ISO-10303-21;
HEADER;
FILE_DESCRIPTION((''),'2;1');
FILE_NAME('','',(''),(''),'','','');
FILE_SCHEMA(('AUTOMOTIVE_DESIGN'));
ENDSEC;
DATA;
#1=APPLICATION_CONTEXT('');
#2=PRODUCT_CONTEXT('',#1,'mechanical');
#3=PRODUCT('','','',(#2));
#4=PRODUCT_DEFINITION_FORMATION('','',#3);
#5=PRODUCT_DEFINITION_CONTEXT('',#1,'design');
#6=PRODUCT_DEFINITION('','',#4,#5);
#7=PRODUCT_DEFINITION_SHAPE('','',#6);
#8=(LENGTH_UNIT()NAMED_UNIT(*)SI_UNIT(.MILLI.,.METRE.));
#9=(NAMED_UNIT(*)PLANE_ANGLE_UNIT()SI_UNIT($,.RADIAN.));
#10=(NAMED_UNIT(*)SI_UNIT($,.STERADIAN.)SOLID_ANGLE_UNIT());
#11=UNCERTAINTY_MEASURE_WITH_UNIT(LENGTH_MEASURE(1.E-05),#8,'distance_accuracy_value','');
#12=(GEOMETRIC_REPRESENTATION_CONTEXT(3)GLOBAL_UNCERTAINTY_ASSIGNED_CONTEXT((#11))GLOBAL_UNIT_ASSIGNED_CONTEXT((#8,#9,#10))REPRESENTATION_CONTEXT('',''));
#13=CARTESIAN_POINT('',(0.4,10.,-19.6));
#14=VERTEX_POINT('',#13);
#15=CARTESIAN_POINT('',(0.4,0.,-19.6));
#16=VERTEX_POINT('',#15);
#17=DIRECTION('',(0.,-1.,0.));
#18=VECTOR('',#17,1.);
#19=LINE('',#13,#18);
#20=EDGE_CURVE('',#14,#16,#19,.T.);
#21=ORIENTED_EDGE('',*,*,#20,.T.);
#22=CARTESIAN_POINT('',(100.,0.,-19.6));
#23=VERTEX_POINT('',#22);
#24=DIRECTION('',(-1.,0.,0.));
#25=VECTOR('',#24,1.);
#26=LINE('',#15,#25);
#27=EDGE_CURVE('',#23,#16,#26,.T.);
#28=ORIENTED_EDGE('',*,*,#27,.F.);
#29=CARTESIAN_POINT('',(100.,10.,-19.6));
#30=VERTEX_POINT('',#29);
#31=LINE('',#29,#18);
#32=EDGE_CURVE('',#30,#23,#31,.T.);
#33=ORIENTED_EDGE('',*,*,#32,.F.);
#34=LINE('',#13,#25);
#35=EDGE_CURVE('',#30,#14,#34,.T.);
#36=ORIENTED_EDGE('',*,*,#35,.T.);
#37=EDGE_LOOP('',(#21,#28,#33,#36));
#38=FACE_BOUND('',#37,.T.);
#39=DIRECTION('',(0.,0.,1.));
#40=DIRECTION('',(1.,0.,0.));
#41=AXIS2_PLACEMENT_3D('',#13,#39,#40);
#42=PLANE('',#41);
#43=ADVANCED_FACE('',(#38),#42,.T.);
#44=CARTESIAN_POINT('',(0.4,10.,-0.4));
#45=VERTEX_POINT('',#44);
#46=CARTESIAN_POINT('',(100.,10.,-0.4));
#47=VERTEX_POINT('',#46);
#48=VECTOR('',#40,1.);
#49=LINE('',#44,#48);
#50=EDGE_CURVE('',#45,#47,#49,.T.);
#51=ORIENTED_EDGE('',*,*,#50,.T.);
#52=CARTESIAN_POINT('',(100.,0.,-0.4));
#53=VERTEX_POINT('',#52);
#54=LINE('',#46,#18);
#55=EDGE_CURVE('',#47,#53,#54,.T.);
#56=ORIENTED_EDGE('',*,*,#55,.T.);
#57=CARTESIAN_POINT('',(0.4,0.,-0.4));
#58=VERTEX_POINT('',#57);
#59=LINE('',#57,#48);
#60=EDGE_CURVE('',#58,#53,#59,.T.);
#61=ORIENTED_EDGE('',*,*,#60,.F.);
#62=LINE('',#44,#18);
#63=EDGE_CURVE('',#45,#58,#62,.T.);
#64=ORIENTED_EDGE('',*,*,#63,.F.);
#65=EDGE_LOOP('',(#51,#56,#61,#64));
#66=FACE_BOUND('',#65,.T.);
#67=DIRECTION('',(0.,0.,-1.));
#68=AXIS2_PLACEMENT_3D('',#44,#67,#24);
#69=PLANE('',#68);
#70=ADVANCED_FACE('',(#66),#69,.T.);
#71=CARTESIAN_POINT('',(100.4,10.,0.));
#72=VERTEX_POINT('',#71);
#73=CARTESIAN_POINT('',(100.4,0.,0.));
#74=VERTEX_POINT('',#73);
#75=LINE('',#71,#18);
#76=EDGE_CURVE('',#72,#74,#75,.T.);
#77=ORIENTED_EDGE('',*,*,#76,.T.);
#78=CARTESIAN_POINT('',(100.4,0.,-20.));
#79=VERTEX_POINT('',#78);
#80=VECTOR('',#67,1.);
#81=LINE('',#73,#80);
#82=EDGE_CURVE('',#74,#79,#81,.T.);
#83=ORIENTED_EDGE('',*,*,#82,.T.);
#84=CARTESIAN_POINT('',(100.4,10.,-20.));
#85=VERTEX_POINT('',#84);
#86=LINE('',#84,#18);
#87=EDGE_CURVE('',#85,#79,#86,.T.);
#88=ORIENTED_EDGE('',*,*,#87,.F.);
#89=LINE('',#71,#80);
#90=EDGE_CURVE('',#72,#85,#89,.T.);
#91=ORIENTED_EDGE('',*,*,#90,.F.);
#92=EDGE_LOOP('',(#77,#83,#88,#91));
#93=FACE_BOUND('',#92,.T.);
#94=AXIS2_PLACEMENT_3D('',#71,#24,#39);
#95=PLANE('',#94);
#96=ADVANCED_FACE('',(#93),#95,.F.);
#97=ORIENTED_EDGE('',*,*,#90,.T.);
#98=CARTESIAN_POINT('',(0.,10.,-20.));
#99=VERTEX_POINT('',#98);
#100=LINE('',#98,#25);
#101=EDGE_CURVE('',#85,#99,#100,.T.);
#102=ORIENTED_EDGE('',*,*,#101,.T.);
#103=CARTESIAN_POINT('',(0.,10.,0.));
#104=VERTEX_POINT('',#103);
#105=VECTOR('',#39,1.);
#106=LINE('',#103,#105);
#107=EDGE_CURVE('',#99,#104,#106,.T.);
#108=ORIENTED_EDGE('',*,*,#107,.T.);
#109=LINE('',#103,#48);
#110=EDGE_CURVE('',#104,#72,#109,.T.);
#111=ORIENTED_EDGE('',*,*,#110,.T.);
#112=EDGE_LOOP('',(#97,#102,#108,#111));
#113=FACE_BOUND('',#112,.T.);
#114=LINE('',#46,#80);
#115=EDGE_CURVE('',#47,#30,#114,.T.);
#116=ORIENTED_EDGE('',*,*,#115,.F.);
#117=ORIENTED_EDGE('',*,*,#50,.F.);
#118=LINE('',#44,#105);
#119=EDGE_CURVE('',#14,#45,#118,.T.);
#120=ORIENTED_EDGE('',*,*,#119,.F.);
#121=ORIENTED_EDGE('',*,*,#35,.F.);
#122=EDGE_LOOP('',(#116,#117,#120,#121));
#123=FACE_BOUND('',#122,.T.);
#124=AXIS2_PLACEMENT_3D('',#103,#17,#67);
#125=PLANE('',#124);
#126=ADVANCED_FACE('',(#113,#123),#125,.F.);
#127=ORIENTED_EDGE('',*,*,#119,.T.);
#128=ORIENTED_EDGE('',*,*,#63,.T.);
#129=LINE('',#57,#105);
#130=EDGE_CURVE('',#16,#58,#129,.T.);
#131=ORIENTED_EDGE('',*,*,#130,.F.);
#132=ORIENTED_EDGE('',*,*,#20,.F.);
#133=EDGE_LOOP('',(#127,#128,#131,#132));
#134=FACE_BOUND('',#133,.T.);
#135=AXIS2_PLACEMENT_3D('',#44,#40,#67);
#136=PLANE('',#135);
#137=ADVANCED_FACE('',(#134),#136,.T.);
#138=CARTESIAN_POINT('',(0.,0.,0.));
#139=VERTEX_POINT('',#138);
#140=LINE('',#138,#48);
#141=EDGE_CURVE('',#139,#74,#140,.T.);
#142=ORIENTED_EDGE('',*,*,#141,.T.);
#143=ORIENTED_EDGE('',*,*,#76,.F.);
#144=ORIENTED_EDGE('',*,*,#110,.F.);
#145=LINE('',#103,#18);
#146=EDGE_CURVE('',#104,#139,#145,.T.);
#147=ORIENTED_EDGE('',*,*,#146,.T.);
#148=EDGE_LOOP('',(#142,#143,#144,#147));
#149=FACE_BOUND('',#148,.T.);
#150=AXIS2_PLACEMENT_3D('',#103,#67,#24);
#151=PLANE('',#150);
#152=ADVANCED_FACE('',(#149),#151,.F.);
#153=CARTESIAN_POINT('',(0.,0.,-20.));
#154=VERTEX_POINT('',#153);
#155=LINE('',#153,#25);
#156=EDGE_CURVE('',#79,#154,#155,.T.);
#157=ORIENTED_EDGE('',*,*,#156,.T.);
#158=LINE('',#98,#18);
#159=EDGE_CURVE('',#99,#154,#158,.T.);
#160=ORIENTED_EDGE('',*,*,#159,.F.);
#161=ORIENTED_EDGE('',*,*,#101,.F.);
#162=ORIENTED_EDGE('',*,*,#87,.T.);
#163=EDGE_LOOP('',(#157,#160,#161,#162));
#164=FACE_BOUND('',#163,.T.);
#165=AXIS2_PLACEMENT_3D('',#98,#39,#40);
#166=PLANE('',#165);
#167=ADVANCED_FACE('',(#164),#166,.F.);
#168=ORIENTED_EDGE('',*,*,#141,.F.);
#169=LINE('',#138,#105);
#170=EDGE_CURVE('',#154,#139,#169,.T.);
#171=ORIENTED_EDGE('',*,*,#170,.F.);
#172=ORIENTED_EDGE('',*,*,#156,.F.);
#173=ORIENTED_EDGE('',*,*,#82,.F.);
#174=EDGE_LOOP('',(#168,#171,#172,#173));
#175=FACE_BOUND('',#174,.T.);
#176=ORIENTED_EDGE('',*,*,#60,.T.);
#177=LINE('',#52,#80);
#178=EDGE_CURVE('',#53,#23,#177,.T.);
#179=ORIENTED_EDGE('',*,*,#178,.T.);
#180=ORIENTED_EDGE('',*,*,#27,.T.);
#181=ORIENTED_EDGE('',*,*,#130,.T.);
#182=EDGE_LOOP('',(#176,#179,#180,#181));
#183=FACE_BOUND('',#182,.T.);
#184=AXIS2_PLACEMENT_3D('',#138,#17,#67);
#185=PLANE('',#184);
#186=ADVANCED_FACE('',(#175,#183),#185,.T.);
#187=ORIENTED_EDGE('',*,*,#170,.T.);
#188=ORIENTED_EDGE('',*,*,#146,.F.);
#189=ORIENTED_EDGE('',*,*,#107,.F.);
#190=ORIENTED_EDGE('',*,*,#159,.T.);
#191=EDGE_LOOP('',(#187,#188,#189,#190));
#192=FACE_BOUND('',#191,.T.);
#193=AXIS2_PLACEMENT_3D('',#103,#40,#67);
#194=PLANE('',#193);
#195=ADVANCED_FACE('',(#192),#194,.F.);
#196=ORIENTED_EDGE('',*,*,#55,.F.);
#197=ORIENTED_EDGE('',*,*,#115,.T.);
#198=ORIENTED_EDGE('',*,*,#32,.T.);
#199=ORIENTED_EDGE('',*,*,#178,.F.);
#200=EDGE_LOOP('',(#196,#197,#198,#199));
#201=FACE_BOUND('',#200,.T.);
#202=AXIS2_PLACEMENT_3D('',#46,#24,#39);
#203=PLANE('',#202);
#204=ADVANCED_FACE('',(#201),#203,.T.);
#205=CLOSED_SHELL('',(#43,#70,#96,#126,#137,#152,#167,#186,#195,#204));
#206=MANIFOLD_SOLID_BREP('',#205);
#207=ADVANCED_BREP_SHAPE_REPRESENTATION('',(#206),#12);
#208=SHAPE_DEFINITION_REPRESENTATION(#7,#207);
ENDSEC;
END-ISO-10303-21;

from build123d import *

# Parameters (mm, degrees)
SKETCH1_W           = 100.4
SKETCH1_H           = 20
SKETCH1_W_2         = 99.6
SKETCH1_H_2         = 19.2
BOSS_EXTRUDE1_DEPTH = 10


with BuildPart() as part:
    # Sketch1 → Boss-Extrude1 (new body)
    with BuildSketch(Plane(origin=(0, 0, 0), x_dir=(1, 0, 0), z_dir=(0, 1, 0))):
        with Locations((50.2, 10)):
            Rectangle(SKETCH1_W, SKETCH1_H)
        with Locations((50.2, 10)):
            Rectangle(SKETCH1_W_2, SKETCH1_H_2, mode=Mode.SUBTRACT)
    extrude(amount=BOSS_EXTRUDE1_DEPTH)


solid = part.part
